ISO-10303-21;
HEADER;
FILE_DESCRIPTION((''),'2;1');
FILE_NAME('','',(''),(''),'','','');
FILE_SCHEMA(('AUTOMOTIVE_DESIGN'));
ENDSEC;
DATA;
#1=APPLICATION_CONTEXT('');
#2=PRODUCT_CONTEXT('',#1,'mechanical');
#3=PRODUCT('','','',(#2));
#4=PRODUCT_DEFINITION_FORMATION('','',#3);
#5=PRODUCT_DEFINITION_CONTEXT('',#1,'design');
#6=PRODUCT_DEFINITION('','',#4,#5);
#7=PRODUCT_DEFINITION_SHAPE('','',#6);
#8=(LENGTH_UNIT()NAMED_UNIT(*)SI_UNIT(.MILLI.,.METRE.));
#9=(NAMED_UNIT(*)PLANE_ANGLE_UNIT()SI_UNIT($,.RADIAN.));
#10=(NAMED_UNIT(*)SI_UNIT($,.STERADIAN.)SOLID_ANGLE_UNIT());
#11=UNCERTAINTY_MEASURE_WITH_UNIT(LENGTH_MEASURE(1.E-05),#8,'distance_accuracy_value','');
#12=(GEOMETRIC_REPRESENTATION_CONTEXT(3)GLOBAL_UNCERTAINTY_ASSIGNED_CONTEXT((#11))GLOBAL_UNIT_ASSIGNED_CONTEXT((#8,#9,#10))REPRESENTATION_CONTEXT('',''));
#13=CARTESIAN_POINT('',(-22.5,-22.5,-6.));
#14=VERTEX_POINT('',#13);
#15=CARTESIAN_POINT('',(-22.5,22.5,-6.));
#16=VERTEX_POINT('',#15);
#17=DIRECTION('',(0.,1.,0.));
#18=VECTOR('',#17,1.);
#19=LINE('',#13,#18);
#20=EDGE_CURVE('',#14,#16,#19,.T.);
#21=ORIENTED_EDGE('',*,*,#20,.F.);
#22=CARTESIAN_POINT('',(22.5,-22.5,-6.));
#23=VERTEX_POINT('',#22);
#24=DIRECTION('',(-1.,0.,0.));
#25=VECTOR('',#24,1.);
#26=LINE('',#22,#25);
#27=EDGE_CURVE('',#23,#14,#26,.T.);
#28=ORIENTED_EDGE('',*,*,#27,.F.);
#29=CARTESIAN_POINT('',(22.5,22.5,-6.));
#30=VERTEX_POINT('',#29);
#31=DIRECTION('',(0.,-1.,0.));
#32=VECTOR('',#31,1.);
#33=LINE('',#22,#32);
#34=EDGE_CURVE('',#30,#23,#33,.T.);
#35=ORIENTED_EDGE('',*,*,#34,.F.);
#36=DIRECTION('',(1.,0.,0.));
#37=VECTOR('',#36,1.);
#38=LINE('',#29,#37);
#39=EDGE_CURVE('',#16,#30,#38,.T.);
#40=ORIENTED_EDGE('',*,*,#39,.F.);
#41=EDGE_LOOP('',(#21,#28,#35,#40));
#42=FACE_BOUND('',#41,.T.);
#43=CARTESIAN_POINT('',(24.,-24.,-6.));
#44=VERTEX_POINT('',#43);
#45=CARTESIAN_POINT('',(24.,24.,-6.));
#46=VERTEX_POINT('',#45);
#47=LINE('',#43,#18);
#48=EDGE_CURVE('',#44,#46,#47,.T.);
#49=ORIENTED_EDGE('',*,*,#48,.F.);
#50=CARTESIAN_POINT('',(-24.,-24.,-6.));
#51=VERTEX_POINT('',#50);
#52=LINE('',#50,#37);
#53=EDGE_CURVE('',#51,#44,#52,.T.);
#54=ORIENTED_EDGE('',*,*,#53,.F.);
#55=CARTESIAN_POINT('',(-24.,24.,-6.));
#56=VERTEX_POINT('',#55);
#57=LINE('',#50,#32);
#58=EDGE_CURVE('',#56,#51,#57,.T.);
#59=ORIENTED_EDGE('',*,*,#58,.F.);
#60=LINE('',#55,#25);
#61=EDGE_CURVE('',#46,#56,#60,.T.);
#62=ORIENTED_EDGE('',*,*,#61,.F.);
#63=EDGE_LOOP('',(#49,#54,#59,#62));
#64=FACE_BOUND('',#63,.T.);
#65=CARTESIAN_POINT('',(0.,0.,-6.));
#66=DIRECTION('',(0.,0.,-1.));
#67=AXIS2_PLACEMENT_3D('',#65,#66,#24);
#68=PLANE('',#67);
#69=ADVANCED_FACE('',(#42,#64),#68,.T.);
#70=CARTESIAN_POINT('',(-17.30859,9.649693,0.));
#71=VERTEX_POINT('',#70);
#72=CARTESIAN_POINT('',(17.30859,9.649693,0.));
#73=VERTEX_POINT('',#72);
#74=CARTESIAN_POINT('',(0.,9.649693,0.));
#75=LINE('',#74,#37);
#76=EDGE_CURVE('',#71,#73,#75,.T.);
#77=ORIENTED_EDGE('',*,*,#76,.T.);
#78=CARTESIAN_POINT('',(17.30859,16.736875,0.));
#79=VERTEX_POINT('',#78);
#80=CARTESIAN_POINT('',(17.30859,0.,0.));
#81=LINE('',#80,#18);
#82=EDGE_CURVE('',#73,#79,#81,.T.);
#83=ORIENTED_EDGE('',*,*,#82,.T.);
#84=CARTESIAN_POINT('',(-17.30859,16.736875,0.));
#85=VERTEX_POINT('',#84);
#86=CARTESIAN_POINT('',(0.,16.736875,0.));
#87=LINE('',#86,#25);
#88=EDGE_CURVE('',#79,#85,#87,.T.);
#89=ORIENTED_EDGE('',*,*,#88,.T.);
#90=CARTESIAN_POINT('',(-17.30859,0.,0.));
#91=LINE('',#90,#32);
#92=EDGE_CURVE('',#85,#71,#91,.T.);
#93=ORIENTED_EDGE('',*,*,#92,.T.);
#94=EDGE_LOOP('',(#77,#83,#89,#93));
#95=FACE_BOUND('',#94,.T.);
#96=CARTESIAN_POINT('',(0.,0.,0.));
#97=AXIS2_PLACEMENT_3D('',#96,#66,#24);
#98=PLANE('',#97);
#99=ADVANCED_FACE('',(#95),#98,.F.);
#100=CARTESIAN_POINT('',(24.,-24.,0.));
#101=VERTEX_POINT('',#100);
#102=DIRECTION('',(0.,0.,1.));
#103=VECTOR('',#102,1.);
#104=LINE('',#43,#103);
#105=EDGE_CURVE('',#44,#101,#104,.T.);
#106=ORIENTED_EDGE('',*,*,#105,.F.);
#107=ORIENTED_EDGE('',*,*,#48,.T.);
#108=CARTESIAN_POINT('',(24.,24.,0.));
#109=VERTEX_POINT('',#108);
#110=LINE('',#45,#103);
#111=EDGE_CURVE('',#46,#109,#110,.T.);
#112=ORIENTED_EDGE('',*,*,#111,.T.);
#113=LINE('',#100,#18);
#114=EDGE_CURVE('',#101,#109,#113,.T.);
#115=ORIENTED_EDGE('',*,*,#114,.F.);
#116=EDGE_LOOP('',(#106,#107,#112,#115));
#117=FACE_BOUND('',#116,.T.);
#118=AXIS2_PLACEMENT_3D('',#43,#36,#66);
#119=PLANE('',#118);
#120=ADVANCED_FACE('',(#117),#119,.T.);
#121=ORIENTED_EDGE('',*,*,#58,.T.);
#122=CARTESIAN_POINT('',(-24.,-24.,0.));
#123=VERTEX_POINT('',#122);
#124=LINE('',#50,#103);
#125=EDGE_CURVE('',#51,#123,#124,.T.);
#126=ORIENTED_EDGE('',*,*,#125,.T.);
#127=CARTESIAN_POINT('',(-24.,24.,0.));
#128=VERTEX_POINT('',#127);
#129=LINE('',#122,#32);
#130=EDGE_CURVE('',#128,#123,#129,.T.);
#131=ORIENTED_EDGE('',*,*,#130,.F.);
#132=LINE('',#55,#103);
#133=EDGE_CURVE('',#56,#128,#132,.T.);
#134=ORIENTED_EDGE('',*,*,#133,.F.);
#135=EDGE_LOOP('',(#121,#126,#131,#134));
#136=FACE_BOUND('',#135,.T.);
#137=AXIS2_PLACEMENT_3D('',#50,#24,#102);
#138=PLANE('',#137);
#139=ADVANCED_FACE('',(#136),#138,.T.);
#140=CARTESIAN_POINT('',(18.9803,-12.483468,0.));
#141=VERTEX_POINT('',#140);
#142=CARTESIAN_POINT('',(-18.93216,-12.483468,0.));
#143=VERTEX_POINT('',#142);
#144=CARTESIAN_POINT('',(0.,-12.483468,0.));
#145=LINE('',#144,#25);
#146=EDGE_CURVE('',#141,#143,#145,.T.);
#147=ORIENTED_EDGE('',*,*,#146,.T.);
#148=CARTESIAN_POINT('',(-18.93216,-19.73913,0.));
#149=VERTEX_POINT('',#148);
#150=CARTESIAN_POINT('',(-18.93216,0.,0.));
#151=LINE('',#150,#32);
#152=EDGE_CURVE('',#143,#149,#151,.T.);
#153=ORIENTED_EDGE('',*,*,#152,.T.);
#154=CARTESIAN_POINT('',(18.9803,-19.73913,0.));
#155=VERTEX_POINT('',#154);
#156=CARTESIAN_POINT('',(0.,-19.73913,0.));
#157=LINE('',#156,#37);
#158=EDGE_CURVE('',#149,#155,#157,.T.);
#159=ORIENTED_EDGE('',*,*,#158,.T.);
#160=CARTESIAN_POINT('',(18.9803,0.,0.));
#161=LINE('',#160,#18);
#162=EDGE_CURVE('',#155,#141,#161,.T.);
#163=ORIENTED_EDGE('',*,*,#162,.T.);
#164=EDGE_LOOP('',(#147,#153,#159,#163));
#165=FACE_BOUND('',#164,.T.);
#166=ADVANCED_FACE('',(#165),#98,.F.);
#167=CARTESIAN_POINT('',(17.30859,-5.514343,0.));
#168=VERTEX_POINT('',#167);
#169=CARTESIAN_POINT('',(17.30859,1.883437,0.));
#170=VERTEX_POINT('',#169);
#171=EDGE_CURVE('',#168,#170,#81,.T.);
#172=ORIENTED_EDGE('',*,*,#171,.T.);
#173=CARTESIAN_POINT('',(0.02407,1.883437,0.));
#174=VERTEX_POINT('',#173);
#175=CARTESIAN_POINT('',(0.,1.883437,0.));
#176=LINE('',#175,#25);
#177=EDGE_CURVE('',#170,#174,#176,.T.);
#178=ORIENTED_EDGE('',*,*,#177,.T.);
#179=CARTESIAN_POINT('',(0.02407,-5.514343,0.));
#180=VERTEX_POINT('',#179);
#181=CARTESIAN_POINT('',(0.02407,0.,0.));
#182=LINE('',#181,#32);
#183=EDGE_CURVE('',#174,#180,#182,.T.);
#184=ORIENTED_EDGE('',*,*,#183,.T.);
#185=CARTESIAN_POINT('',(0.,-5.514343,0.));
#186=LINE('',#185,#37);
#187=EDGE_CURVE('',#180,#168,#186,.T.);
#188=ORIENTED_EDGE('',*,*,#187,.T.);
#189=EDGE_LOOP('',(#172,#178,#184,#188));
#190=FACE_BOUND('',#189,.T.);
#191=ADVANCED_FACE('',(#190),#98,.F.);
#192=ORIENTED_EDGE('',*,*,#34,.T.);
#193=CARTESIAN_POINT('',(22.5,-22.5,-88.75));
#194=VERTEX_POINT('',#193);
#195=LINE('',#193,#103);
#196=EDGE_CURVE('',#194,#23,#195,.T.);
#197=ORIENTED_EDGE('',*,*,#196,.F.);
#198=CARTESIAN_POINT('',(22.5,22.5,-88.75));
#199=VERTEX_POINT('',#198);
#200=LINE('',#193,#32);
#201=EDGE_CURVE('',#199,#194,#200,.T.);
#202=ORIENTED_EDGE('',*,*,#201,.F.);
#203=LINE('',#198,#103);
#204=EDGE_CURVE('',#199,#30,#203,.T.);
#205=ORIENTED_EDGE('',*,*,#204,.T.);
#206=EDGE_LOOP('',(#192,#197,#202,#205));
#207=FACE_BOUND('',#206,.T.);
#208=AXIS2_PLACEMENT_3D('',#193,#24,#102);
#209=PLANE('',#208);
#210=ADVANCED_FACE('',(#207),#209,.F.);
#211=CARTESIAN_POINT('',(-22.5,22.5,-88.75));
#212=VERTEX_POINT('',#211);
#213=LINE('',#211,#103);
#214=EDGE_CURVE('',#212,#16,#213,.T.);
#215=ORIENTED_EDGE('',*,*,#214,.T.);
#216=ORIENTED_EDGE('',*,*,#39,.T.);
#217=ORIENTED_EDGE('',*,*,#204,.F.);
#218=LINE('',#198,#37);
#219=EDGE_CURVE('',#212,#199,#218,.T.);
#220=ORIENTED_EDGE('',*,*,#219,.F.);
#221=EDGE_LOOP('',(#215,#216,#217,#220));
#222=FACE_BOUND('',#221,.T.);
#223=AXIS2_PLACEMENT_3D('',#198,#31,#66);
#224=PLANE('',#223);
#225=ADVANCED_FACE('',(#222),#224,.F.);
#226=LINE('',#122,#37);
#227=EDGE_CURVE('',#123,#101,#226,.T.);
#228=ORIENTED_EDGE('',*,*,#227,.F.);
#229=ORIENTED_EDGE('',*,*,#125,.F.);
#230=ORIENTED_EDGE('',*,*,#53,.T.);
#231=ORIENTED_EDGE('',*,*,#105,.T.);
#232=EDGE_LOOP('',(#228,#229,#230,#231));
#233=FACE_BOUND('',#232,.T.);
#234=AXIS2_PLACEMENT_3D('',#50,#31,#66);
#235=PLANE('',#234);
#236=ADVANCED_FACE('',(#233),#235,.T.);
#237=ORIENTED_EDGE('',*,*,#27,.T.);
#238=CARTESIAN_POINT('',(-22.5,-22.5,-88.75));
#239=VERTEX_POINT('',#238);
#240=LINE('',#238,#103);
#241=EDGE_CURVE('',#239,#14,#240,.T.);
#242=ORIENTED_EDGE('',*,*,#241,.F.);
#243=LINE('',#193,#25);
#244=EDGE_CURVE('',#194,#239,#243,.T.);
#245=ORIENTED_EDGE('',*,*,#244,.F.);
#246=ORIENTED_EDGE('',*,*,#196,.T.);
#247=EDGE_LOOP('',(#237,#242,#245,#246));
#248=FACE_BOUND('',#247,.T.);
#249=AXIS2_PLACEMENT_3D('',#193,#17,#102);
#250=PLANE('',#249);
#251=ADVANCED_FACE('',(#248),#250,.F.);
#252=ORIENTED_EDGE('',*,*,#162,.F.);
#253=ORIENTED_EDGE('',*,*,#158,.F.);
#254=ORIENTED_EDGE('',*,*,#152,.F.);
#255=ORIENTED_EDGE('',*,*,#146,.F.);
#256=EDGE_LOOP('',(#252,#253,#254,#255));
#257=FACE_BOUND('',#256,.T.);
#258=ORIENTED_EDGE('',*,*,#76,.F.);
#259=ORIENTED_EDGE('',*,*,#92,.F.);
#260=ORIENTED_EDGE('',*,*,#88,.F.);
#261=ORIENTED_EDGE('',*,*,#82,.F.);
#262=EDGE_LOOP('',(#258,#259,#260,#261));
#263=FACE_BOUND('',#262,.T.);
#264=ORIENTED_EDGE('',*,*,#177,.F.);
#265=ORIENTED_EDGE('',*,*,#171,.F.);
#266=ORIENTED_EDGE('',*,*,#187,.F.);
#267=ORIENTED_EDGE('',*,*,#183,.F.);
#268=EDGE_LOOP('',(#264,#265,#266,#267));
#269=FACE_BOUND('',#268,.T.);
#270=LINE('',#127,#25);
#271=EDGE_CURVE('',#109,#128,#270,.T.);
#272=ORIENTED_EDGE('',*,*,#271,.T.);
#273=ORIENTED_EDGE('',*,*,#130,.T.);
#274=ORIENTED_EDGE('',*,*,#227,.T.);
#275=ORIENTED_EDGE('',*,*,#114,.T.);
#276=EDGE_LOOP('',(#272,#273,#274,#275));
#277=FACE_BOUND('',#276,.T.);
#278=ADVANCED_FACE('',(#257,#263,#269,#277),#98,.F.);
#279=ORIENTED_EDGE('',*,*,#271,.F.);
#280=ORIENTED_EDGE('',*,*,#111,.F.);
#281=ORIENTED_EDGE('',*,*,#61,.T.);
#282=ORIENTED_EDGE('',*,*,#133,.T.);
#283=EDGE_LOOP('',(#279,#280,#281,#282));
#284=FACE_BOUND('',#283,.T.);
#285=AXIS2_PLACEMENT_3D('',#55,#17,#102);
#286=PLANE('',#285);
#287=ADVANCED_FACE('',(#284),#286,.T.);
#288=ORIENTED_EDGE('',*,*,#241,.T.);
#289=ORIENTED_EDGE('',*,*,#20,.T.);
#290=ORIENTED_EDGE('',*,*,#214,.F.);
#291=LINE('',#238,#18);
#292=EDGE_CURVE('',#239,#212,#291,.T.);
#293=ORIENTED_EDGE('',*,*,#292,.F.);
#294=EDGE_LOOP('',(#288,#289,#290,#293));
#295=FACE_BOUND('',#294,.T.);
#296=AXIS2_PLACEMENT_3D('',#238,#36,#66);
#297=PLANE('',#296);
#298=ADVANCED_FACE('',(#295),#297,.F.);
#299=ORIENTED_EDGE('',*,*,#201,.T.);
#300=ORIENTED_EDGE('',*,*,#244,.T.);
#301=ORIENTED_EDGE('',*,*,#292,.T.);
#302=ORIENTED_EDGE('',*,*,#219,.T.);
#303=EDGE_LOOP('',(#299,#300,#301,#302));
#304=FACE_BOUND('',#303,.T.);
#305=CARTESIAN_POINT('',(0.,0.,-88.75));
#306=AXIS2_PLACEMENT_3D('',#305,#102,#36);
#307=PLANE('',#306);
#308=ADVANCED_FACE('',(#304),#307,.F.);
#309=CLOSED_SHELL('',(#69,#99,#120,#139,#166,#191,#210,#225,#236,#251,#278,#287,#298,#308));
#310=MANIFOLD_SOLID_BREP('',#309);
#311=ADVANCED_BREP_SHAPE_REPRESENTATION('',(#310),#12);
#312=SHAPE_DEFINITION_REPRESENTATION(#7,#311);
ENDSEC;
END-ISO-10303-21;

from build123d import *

# Parameters (mm, degrees)
SKETCH1_W           = 48
SKETCH1_H           = 48
BOSS_EXTRUDE1_DEPTH = 6
SKETCH2_W           = 45
SKETCH2_H           = 45
BOSS_EXTRUDE2_DEPTH = 82.75


with BuildPart() as part:
    # Sketch1 → Boss-Extrude1 (new body)
    with BuildSketch(Plane.XY):
        Rectangle(SKETCH1_W, SKETCH1_H)
    extrude(amount=-BOSS_EXTRUDE1_DEPTH)

    # Sketch2 → Boss-Extrude2 (add)
    with BuildSketch(Plane(origin=(0, 0, -6), x_dir=(-1, 0, 0), z_dir=(0, 0, -1))):
        Rectangle(SKETCH2_W, SKETCH2_H)
    extrude(amount=BOSS_EXTRUDE2_DEPTH)


solid = part.part
